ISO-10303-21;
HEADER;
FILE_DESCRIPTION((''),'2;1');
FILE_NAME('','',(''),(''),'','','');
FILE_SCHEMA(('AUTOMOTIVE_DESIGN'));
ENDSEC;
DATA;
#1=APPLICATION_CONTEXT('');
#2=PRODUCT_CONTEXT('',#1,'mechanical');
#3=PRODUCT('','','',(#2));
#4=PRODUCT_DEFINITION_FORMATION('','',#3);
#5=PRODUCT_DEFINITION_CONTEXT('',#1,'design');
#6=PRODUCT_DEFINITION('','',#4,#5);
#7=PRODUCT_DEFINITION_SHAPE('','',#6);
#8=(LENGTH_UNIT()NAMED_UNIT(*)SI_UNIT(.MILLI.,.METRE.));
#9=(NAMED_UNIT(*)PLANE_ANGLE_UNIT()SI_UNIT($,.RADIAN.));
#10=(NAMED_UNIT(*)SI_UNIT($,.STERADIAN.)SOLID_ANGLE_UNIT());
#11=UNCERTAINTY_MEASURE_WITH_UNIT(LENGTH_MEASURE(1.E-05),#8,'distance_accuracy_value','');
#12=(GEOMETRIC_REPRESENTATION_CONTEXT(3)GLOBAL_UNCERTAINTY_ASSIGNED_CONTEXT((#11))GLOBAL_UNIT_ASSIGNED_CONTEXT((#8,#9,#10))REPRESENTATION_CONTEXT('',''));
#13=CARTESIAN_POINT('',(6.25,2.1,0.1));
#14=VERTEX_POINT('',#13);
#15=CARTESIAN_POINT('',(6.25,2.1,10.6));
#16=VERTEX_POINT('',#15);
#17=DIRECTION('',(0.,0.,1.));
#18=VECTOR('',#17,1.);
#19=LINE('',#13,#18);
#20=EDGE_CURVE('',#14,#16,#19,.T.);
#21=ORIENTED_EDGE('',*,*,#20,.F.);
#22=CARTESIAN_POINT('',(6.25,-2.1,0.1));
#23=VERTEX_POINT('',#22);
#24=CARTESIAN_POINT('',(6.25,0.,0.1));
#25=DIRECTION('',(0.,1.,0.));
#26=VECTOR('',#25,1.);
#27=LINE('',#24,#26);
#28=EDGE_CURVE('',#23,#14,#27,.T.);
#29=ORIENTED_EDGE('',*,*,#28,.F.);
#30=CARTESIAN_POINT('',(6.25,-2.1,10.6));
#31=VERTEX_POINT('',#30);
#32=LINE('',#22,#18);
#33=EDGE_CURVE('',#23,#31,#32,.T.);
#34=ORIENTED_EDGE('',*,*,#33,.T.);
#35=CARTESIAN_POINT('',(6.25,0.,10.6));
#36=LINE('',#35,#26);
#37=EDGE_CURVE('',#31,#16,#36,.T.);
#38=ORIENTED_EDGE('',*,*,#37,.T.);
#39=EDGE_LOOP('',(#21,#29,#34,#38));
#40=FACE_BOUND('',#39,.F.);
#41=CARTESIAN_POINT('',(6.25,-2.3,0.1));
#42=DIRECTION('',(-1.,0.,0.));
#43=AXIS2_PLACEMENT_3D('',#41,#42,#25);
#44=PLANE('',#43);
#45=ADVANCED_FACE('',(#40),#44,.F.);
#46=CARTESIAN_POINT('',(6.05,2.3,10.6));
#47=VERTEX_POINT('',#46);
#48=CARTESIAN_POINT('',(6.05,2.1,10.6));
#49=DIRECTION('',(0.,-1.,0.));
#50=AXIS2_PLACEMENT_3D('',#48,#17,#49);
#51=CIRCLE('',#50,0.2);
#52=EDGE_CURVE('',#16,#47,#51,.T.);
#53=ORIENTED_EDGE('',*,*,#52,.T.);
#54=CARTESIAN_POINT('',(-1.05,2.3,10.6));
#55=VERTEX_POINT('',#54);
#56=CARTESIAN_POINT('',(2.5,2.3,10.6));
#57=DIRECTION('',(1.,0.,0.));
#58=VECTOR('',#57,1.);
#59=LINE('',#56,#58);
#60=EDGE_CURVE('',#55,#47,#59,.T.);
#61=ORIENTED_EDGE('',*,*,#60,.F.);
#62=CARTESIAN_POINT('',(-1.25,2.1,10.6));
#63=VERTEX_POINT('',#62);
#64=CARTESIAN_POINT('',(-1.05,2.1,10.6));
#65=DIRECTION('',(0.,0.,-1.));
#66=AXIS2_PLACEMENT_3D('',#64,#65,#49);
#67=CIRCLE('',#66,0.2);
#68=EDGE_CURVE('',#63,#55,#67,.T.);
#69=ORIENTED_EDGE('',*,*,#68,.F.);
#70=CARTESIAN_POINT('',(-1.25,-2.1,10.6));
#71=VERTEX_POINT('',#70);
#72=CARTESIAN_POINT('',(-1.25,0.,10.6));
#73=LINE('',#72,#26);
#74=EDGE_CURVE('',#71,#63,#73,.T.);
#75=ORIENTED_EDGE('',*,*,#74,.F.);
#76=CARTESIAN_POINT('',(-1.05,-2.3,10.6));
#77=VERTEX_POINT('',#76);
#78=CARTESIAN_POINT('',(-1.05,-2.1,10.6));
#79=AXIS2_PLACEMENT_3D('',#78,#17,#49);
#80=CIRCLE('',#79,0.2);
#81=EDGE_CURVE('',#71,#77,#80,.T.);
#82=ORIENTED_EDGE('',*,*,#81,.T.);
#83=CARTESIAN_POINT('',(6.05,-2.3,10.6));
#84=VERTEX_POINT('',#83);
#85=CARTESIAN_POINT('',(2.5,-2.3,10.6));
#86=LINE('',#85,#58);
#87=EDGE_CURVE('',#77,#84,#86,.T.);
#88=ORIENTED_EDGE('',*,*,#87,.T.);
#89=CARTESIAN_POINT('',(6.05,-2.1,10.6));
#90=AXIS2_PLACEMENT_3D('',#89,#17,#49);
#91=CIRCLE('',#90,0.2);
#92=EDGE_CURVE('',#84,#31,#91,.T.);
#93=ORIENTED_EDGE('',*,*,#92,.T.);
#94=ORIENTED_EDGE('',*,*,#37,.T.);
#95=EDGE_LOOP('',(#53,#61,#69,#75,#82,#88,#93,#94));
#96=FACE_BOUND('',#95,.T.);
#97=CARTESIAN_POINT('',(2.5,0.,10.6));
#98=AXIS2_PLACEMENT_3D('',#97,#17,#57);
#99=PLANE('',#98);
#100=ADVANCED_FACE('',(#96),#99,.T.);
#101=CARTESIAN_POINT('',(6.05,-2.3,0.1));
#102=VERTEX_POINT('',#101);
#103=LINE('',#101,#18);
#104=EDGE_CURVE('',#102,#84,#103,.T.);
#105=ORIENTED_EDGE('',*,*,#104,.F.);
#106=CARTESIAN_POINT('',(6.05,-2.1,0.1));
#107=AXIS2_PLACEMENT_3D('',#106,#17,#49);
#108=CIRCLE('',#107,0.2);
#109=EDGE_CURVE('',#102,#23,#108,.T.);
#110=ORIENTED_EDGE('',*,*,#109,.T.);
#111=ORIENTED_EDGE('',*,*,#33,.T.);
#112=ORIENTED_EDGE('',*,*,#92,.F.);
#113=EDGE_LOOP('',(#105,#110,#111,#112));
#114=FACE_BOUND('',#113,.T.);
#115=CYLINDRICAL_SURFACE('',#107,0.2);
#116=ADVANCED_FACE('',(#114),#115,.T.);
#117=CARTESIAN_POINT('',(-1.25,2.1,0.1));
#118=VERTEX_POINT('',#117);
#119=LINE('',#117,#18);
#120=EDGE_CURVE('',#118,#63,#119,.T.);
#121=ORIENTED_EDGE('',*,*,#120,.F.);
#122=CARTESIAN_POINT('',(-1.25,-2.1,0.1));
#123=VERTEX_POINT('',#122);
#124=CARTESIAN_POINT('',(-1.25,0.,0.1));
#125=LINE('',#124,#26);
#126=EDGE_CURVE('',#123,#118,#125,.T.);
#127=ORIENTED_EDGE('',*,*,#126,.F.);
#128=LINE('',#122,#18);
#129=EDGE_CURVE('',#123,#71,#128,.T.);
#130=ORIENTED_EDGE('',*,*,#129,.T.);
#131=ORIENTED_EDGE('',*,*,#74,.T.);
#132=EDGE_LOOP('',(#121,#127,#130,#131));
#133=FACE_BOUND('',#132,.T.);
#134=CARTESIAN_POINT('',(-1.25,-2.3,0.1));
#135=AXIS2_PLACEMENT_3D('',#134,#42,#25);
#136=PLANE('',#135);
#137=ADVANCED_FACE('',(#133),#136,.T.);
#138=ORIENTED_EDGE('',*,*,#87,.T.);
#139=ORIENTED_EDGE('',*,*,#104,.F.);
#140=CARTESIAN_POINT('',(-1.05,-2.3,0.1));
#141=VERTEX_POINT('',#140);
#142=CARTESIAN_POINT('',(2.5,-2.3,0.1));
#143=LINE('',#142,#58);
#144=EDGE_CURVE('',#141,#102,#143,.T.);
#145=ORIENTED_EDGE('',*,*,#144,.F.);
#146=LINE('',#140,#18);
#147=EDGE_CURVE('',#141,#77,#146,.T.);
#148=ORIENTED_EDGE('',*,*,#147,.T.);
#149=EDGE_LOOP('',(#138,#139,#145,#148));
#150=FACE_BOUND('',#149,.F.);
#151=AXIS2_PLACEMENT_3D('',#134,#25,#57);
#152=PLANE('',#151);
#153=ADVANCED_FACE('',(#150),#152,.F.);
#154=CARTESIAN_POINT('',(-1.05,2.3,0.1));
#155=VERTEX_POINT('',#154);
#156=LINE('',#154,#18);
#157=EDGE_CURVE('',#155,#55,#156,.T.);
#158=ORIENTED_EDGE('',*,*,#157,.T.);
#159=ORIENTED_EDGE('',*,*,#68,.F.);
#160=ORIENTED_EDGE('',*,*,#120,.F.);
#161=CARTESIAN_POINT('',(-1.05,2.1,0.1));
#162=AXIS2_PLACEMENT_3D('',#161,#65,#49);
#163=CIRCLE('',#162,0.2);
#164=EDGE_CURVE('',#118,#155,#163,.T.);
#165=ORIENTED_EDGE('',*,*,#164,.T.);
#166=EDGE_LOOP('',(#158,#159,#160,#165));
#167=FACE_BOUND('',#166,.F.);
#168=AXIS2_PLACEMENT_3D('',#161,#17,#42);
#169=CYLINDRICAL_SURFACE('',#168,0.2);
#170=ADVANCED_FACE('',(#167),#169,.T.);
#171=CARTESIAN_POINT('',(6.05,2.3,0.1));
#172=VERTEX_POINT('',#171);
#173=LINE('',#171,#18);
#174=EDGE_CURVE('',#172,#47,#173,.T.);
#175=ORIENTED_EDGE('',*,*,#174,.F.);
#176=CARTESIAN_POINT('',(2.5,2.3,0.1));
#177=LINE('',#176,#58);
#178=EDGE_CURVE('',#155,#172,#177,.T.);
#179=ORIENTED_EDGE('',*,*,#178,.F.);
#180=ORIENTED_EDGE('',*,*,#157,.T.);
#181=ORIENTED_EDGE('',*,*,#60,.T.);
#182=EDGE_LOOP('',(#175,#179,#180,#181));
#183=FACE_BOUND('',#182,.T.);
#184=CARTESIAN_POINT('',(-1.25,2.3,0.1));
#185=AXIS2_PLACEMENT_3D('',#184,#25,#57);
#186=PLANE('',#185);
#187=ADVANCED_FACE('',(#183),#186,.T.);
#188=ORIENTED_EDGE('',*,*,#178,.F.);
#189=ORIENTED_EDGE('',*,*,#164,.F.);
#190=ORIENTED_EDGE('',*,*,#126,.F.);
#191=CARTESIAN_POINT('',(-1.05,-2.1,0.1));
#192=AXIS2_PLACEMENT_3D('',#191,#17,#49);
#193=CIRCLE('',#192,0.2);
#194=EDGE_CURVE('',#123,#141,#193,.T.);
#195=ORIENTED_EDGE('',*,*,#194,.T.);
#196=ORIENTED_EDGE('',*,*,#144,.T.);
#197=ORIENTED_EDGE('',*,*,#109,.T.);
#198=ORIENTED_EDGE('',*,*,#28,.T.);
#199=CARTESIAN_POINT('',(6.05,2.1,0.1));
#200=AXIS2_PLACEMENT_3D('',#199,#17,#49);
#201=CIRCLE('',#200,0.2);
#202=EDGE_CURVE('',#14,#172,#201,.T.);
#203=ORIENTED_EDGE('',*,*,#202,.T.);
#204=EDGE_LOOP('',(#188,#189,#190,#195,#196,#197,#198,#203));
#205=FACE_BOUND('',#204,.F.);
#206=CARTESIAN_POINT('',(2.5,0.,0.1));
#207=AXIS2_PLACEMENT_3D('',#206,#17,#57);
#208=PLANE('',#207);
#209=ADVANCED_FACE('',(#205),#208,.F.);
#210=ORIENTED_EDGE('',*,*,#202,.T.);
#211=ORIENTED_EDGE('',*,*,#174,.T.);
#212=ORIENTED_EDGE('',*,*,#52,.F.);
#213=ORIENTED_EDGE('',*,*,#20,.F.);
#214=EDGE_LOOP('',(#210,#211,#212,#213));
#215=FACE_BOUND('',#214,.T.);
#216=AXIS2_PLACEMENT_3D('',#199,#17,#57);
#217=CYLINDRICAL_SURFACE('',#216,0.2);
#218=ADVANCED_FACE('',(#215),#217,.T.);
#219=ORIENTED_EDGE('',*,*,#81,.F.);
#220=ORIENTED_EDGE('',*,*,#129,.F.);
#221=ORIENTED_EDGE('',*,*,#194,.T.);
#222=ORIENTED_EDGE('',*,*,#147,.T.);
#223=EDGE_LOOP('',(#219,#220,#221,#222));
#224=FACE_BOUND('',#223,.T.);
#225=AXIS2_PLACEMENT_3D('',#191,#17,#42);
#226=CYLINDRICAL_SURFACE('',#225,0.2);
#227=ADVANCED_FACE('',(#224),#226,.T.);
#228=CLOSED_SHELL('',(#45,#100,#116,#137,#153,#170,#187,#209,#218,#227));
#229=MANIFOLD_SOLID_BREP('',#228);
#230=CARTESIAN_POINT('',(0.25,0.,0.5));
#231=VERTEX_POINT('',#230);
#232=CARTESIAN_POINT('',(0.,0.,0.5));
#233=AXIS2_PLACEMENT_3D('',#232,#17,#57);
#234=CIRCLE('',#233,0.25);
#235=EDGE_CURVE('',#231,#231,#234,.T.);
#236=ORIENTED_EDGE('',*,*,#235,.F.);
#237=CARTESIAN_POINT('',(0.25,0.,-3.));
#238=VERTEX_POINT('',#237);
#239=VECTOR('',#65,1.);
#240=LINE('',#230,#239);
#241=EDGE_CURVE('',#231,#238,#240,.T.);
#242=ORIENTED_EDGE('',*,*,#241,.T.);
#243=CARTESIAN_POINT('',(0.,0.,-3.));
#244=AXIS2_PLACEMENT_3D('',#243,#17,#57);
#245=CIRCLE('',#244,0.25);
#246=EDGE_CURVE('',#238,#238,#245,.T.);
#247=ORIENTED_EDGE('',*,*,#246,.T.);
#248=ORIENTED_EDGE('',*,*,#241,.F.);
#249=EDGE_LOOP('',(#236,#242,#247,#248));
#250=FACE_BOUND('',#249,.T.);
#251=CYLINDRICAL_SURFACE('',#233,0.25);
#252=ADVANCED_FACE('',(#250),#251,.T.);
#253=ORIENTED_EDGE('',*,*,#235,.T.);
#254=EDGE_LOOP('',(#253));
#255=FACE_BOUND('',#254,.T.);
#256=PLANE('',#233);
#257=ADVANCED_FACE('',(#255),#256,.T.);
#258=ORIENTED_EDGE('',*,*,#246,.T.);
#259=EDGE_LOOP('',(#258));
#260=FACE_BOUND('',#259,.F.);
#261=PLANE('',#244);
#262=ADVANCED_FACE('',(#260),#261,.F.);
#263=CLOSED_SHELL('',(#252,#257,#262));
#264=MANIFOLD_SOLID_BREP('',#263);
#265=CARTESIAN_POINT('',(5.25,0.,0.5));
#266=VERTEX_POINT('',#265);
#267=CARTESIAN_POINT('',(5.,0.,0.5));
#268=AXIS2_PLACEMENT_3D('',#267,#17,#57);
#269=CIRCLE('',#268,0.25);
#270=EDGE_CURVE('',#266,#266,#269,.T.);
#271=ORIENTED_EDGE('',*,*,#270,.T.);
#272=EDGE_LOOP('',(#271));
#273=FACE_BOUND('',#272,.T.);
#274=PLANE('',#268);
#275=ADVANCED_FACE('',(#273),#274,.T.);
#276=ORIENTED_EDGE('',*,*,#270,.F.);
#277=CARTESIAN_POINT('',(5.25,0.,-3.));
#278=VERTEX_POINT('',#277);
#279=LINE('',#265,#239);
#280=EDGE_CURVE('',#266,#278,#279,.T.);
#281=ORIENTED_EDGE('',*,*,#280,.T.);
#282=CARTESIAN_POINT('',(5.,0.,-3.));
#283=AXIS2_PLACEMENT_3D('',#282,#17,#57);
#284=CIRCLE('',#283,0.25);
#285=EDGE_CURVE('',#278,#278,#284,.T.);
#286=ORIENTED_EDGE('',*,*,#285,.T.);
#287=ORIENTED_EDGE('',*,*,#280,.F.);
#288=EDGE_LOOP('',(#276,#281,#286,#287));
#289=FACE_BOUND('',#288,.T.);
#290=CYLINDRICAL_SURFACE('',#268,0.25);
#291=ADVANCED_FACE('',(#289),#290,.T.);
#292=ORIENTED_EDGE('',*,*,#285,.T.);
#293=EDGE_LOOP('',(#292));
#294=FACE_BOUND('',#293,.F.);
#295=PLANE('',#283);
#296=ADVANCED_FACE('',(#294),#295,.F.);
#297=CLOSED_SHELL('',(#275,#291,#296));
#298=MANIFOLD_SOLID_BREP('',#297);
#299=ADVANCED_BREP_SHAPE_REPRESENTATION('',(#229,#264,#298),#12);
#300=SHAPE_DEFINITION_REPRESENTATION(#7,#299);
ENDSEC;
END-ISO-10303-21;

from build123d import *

# Parameters (mm, degrees)
SKETCH001_R  = 0.25
PAD001_DEPTH = 3.5
SKETCH_W     = 7.5
SKETCH_H     = 4.6
PAD_DEPTH    = 10.5
FILLET_R     = 0.2


with BuildPart() as pad001:
    # Sketch001 → Pad001 (new body)
    with BuildSketch(Plane.XY.offset(0.5)):
        Circle(SKETCH001_R)
        with Locations((5, 0)):
            Circle(SKETCH001_R)
    extrude(amount=-PAD001_DEPTH)


with BuildPart() as fillet_body:
    # Sketch → Pad (new body)
    with BuildSketch(Plane.XY.offset(0.1)):
        with Locations((2.5, 0)):
            Rectangle(SKETCH_W, SKETCH_H)
    extrude(amount=PAD_DEPTH)

    # Fillet
    fillet_edges = [fillet_body.edges().sort_by_distance(p)[0] for p in [
        (6.25, -2.3, 5.35),
        (6.25, 2.3, 5.35),
        (-1.25, -2.3, 5.35),
        (-1.25, 2.3, 5.35),
    ]]
    fillet(fillet_edges, radius=FILLET_R)


solid = Compound([pad001.part, fillet_body.part])
